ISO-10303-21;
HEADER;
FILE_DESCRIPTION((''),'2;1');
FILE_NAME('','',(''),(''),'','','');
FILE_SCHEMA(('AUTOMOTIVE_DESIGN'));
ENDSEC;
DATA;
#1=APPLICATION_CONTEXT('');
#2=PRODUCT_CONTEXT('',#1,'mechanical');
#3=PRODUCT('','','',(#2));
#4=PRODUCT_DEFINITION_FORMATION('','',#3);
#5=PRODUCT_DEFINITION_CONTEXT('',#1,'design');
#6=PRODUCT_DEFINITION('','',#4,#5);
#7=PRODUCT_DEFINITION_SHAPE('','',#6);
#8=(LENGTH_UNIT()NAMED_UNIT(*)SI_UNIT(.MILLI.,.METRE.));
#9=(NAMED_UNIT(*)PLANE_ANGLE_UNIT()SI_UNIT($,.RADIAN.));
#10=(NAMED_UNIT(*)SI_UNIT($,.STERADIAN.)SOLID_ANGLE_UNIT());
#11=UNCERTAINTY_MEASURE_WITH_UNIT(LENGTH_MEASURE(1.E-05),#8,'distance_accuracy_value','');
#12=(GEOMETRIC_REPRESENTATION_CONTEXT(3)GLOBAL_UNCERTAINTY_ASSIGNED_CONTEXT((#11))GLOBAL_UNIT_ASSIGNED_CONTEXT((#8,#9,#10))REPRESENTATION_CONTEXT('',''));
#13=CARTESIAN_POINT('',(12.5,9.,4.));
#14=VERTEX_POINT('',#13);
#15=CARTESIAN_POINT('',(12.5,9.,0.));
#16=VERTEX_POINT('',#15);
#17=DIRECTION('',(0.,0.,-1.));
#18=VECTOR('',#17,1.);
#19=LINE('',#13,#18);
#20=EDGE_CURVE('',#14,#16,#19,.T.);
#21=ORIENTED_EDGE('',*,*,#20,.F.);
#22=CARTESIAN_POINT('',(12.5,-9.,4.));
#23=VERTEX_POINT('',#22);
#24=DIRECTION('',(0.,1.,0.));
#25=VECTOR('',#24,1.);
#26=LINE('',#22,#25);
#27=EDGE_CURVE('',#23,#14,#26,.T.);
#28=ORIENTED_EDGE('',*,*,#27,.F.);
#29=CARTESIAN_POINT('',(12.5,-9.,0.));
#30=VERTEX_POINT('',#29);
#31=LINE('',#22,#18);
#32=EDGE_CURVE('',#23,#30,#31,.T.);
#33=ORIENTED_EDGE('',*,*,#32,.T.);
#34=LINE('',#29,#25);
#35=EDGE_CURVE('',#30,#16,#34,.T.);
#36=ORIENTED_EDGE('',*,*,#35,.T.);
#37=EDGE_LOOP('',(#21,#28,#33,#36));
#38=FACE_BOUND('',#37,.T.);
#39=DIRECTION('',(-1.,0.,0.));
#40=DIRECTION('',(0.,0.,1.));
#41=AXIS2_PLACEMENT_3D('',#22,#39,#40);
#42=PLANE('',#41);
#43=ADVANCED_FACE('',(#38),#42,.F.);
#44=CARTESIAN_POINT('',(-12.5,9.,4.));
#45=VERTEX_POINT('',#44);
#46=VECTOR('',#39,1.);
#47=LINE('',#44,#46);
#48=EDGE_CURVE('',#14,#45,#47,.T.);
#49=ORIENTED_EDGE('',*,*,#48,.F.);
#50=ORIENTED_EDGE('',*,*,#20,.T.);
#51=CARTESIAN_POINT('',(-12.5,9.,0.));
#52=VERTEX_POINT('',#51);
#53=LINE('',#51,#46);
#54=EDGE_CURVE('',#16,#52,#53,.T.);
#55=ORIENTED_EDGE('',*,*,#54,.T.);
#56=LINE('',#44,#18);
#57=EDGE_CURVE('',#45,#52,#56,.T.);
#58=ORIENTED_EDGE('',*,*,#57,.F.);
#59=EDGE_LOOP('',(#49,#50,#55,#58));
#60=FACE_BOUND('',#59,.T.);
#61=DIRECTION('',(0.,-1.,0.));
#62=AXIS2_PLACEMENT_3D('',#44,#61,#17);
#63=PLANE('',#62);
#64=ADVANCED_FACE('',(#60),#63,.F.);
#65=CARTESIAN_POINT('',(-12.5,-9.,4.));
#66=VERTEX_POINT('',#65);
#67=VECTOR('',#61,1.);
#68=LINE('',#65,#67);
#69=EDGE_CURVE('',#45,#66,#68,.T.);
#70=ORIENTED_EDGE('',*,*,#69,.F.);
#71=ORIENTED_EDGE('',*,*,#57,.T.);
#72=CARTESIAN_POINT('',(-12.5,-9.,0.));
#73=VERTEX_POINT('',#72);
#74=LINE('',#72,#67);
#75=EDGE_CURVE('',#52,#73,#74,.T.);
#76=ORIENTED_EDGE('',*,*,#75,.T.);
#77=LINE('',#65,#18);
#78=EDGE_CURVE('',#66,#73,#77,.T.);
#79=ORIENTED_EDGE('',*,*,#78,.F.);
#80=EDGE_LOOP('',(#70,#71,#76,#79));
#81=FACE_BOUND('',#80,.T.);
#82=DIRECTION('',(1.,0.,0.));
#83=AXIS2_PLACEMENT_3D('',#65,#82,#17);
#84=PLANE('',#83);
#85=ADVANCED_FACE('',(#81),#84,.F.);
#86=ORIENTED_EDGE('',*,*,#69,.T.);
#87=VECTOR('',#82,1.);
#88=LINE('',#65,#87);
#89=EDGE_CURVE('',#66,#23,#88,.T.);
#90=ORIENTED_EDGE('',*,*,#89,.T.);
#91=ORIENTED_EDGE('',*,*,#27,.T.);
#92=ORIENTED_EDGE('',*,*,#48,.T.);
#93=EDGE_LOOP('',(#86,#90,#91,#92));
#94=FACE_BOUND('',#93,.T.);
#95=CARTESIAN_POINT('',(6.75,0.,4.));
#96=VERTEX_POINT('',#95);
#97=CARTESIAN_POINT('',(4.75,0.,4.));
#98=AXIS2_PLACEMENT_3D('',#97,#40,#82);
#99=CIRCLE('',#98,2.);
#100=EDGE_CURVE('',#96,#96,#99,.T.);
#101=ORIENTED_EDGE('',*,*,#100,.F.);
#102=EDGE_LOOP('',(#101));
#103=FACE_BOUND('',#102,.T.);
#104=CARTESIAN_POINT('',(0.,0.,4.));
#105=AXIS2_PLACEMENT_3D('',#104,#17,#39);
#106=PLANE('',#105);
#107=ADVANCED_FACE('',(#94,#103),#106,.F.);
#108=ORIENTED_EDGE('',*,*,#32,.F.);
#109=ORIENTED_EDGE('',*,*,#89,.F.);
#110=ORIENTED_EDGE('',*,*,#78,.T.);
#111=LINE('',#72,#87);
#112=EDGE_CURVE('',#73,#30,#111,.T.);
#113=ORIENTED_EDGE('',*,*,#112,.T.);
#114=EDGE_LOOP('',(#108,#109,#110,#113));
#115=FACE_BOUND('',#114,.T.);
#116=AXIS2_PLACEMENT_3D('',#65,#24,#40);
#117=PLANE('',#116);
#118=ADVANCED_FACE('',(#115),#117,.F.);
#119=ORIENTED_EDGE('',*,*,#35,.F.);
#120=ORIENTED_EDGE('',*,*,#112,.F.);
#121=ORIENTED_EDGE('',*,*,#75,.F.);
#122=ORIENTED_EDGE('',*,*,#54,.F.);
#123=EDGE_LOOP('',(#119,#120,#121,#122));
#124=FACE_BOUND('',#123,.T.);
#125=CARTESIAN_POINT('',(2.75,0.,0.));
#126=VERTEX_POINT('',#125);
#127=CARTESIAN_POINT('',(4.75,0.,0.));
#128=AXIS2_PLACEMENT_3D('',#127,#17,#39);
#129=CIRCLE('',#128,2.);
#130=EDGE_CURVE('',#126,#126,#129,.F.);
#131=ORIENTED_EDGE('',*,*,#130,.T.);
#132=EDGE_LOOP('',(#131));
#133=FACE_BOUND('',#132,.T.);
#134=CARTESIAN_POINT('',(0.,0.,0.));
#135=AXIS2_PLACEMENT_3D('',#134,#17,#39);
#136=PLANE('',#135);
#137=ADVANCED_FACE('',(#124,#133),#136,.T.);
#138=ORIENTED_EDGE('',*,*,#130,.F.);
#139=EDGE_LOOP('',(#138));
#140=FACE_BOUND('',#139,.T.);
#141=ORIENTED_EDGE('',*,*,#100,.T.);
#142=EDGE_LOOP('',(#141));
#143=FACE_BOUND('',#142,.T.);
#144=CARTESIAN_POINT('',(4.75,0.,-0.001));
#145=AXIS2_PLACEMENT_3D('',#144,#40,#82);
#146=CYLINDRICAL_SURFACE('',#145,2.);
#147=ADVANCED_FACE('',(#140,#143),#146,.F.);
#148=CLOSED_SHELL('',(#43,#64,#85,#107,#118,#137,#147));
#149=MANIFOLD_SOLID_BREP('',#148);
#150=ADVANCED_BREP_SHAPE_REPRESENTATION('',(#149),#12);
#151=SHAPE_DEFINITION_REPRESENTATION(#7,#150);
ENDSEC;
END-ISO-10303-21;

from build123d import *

# Parameters (mm, degrees)
SZKIC1_W                    = 25
SZKIC1_H                    = 18
DODANIE_WYCI_GNI_CIE1_DEPTH = 4
WYTNIJ_WYCI_GNI_CIE1_REACH  = 17.914
SZKIC2_R                    = 2


with BuildPart() as part:
    # Szkic1 → Dodanie-wyciągnięcie1 (new body)
    with BuildSketch(Plane.XY):
        Rectangle(SZKIC1_W, SZKIC1_H)
    extrude(amount=DODANIE_WYCI_GNI_CIE1_DEPTH)

    # Szkic2 → Wytnij-wyciągnięcie1 (cut, up to next)
    with BuildSketch(Plane.XY.offset(4), mode=Mode.PRIVATE) as wytnij_wyci_gni_cie1_sk1:
        with Locations((4.75, 0)):
            Circle(SZKIC2_R)
    wytnij_wyci_gni_cie1_tool1 = extrude(wytnij_wyci_gni_cie1_sk1.sketch, amount=-WYTNIJ_WYCI_GNI_CIE1_REACH, mode=Mode.PRIVATE) & part.part
    add(wytnij_wyci_gni_cie1_tool1.solids().sort_by_distance((4.75, 0, 4))[0], mode=Mode.SUBTRACT)


solid = part.part
